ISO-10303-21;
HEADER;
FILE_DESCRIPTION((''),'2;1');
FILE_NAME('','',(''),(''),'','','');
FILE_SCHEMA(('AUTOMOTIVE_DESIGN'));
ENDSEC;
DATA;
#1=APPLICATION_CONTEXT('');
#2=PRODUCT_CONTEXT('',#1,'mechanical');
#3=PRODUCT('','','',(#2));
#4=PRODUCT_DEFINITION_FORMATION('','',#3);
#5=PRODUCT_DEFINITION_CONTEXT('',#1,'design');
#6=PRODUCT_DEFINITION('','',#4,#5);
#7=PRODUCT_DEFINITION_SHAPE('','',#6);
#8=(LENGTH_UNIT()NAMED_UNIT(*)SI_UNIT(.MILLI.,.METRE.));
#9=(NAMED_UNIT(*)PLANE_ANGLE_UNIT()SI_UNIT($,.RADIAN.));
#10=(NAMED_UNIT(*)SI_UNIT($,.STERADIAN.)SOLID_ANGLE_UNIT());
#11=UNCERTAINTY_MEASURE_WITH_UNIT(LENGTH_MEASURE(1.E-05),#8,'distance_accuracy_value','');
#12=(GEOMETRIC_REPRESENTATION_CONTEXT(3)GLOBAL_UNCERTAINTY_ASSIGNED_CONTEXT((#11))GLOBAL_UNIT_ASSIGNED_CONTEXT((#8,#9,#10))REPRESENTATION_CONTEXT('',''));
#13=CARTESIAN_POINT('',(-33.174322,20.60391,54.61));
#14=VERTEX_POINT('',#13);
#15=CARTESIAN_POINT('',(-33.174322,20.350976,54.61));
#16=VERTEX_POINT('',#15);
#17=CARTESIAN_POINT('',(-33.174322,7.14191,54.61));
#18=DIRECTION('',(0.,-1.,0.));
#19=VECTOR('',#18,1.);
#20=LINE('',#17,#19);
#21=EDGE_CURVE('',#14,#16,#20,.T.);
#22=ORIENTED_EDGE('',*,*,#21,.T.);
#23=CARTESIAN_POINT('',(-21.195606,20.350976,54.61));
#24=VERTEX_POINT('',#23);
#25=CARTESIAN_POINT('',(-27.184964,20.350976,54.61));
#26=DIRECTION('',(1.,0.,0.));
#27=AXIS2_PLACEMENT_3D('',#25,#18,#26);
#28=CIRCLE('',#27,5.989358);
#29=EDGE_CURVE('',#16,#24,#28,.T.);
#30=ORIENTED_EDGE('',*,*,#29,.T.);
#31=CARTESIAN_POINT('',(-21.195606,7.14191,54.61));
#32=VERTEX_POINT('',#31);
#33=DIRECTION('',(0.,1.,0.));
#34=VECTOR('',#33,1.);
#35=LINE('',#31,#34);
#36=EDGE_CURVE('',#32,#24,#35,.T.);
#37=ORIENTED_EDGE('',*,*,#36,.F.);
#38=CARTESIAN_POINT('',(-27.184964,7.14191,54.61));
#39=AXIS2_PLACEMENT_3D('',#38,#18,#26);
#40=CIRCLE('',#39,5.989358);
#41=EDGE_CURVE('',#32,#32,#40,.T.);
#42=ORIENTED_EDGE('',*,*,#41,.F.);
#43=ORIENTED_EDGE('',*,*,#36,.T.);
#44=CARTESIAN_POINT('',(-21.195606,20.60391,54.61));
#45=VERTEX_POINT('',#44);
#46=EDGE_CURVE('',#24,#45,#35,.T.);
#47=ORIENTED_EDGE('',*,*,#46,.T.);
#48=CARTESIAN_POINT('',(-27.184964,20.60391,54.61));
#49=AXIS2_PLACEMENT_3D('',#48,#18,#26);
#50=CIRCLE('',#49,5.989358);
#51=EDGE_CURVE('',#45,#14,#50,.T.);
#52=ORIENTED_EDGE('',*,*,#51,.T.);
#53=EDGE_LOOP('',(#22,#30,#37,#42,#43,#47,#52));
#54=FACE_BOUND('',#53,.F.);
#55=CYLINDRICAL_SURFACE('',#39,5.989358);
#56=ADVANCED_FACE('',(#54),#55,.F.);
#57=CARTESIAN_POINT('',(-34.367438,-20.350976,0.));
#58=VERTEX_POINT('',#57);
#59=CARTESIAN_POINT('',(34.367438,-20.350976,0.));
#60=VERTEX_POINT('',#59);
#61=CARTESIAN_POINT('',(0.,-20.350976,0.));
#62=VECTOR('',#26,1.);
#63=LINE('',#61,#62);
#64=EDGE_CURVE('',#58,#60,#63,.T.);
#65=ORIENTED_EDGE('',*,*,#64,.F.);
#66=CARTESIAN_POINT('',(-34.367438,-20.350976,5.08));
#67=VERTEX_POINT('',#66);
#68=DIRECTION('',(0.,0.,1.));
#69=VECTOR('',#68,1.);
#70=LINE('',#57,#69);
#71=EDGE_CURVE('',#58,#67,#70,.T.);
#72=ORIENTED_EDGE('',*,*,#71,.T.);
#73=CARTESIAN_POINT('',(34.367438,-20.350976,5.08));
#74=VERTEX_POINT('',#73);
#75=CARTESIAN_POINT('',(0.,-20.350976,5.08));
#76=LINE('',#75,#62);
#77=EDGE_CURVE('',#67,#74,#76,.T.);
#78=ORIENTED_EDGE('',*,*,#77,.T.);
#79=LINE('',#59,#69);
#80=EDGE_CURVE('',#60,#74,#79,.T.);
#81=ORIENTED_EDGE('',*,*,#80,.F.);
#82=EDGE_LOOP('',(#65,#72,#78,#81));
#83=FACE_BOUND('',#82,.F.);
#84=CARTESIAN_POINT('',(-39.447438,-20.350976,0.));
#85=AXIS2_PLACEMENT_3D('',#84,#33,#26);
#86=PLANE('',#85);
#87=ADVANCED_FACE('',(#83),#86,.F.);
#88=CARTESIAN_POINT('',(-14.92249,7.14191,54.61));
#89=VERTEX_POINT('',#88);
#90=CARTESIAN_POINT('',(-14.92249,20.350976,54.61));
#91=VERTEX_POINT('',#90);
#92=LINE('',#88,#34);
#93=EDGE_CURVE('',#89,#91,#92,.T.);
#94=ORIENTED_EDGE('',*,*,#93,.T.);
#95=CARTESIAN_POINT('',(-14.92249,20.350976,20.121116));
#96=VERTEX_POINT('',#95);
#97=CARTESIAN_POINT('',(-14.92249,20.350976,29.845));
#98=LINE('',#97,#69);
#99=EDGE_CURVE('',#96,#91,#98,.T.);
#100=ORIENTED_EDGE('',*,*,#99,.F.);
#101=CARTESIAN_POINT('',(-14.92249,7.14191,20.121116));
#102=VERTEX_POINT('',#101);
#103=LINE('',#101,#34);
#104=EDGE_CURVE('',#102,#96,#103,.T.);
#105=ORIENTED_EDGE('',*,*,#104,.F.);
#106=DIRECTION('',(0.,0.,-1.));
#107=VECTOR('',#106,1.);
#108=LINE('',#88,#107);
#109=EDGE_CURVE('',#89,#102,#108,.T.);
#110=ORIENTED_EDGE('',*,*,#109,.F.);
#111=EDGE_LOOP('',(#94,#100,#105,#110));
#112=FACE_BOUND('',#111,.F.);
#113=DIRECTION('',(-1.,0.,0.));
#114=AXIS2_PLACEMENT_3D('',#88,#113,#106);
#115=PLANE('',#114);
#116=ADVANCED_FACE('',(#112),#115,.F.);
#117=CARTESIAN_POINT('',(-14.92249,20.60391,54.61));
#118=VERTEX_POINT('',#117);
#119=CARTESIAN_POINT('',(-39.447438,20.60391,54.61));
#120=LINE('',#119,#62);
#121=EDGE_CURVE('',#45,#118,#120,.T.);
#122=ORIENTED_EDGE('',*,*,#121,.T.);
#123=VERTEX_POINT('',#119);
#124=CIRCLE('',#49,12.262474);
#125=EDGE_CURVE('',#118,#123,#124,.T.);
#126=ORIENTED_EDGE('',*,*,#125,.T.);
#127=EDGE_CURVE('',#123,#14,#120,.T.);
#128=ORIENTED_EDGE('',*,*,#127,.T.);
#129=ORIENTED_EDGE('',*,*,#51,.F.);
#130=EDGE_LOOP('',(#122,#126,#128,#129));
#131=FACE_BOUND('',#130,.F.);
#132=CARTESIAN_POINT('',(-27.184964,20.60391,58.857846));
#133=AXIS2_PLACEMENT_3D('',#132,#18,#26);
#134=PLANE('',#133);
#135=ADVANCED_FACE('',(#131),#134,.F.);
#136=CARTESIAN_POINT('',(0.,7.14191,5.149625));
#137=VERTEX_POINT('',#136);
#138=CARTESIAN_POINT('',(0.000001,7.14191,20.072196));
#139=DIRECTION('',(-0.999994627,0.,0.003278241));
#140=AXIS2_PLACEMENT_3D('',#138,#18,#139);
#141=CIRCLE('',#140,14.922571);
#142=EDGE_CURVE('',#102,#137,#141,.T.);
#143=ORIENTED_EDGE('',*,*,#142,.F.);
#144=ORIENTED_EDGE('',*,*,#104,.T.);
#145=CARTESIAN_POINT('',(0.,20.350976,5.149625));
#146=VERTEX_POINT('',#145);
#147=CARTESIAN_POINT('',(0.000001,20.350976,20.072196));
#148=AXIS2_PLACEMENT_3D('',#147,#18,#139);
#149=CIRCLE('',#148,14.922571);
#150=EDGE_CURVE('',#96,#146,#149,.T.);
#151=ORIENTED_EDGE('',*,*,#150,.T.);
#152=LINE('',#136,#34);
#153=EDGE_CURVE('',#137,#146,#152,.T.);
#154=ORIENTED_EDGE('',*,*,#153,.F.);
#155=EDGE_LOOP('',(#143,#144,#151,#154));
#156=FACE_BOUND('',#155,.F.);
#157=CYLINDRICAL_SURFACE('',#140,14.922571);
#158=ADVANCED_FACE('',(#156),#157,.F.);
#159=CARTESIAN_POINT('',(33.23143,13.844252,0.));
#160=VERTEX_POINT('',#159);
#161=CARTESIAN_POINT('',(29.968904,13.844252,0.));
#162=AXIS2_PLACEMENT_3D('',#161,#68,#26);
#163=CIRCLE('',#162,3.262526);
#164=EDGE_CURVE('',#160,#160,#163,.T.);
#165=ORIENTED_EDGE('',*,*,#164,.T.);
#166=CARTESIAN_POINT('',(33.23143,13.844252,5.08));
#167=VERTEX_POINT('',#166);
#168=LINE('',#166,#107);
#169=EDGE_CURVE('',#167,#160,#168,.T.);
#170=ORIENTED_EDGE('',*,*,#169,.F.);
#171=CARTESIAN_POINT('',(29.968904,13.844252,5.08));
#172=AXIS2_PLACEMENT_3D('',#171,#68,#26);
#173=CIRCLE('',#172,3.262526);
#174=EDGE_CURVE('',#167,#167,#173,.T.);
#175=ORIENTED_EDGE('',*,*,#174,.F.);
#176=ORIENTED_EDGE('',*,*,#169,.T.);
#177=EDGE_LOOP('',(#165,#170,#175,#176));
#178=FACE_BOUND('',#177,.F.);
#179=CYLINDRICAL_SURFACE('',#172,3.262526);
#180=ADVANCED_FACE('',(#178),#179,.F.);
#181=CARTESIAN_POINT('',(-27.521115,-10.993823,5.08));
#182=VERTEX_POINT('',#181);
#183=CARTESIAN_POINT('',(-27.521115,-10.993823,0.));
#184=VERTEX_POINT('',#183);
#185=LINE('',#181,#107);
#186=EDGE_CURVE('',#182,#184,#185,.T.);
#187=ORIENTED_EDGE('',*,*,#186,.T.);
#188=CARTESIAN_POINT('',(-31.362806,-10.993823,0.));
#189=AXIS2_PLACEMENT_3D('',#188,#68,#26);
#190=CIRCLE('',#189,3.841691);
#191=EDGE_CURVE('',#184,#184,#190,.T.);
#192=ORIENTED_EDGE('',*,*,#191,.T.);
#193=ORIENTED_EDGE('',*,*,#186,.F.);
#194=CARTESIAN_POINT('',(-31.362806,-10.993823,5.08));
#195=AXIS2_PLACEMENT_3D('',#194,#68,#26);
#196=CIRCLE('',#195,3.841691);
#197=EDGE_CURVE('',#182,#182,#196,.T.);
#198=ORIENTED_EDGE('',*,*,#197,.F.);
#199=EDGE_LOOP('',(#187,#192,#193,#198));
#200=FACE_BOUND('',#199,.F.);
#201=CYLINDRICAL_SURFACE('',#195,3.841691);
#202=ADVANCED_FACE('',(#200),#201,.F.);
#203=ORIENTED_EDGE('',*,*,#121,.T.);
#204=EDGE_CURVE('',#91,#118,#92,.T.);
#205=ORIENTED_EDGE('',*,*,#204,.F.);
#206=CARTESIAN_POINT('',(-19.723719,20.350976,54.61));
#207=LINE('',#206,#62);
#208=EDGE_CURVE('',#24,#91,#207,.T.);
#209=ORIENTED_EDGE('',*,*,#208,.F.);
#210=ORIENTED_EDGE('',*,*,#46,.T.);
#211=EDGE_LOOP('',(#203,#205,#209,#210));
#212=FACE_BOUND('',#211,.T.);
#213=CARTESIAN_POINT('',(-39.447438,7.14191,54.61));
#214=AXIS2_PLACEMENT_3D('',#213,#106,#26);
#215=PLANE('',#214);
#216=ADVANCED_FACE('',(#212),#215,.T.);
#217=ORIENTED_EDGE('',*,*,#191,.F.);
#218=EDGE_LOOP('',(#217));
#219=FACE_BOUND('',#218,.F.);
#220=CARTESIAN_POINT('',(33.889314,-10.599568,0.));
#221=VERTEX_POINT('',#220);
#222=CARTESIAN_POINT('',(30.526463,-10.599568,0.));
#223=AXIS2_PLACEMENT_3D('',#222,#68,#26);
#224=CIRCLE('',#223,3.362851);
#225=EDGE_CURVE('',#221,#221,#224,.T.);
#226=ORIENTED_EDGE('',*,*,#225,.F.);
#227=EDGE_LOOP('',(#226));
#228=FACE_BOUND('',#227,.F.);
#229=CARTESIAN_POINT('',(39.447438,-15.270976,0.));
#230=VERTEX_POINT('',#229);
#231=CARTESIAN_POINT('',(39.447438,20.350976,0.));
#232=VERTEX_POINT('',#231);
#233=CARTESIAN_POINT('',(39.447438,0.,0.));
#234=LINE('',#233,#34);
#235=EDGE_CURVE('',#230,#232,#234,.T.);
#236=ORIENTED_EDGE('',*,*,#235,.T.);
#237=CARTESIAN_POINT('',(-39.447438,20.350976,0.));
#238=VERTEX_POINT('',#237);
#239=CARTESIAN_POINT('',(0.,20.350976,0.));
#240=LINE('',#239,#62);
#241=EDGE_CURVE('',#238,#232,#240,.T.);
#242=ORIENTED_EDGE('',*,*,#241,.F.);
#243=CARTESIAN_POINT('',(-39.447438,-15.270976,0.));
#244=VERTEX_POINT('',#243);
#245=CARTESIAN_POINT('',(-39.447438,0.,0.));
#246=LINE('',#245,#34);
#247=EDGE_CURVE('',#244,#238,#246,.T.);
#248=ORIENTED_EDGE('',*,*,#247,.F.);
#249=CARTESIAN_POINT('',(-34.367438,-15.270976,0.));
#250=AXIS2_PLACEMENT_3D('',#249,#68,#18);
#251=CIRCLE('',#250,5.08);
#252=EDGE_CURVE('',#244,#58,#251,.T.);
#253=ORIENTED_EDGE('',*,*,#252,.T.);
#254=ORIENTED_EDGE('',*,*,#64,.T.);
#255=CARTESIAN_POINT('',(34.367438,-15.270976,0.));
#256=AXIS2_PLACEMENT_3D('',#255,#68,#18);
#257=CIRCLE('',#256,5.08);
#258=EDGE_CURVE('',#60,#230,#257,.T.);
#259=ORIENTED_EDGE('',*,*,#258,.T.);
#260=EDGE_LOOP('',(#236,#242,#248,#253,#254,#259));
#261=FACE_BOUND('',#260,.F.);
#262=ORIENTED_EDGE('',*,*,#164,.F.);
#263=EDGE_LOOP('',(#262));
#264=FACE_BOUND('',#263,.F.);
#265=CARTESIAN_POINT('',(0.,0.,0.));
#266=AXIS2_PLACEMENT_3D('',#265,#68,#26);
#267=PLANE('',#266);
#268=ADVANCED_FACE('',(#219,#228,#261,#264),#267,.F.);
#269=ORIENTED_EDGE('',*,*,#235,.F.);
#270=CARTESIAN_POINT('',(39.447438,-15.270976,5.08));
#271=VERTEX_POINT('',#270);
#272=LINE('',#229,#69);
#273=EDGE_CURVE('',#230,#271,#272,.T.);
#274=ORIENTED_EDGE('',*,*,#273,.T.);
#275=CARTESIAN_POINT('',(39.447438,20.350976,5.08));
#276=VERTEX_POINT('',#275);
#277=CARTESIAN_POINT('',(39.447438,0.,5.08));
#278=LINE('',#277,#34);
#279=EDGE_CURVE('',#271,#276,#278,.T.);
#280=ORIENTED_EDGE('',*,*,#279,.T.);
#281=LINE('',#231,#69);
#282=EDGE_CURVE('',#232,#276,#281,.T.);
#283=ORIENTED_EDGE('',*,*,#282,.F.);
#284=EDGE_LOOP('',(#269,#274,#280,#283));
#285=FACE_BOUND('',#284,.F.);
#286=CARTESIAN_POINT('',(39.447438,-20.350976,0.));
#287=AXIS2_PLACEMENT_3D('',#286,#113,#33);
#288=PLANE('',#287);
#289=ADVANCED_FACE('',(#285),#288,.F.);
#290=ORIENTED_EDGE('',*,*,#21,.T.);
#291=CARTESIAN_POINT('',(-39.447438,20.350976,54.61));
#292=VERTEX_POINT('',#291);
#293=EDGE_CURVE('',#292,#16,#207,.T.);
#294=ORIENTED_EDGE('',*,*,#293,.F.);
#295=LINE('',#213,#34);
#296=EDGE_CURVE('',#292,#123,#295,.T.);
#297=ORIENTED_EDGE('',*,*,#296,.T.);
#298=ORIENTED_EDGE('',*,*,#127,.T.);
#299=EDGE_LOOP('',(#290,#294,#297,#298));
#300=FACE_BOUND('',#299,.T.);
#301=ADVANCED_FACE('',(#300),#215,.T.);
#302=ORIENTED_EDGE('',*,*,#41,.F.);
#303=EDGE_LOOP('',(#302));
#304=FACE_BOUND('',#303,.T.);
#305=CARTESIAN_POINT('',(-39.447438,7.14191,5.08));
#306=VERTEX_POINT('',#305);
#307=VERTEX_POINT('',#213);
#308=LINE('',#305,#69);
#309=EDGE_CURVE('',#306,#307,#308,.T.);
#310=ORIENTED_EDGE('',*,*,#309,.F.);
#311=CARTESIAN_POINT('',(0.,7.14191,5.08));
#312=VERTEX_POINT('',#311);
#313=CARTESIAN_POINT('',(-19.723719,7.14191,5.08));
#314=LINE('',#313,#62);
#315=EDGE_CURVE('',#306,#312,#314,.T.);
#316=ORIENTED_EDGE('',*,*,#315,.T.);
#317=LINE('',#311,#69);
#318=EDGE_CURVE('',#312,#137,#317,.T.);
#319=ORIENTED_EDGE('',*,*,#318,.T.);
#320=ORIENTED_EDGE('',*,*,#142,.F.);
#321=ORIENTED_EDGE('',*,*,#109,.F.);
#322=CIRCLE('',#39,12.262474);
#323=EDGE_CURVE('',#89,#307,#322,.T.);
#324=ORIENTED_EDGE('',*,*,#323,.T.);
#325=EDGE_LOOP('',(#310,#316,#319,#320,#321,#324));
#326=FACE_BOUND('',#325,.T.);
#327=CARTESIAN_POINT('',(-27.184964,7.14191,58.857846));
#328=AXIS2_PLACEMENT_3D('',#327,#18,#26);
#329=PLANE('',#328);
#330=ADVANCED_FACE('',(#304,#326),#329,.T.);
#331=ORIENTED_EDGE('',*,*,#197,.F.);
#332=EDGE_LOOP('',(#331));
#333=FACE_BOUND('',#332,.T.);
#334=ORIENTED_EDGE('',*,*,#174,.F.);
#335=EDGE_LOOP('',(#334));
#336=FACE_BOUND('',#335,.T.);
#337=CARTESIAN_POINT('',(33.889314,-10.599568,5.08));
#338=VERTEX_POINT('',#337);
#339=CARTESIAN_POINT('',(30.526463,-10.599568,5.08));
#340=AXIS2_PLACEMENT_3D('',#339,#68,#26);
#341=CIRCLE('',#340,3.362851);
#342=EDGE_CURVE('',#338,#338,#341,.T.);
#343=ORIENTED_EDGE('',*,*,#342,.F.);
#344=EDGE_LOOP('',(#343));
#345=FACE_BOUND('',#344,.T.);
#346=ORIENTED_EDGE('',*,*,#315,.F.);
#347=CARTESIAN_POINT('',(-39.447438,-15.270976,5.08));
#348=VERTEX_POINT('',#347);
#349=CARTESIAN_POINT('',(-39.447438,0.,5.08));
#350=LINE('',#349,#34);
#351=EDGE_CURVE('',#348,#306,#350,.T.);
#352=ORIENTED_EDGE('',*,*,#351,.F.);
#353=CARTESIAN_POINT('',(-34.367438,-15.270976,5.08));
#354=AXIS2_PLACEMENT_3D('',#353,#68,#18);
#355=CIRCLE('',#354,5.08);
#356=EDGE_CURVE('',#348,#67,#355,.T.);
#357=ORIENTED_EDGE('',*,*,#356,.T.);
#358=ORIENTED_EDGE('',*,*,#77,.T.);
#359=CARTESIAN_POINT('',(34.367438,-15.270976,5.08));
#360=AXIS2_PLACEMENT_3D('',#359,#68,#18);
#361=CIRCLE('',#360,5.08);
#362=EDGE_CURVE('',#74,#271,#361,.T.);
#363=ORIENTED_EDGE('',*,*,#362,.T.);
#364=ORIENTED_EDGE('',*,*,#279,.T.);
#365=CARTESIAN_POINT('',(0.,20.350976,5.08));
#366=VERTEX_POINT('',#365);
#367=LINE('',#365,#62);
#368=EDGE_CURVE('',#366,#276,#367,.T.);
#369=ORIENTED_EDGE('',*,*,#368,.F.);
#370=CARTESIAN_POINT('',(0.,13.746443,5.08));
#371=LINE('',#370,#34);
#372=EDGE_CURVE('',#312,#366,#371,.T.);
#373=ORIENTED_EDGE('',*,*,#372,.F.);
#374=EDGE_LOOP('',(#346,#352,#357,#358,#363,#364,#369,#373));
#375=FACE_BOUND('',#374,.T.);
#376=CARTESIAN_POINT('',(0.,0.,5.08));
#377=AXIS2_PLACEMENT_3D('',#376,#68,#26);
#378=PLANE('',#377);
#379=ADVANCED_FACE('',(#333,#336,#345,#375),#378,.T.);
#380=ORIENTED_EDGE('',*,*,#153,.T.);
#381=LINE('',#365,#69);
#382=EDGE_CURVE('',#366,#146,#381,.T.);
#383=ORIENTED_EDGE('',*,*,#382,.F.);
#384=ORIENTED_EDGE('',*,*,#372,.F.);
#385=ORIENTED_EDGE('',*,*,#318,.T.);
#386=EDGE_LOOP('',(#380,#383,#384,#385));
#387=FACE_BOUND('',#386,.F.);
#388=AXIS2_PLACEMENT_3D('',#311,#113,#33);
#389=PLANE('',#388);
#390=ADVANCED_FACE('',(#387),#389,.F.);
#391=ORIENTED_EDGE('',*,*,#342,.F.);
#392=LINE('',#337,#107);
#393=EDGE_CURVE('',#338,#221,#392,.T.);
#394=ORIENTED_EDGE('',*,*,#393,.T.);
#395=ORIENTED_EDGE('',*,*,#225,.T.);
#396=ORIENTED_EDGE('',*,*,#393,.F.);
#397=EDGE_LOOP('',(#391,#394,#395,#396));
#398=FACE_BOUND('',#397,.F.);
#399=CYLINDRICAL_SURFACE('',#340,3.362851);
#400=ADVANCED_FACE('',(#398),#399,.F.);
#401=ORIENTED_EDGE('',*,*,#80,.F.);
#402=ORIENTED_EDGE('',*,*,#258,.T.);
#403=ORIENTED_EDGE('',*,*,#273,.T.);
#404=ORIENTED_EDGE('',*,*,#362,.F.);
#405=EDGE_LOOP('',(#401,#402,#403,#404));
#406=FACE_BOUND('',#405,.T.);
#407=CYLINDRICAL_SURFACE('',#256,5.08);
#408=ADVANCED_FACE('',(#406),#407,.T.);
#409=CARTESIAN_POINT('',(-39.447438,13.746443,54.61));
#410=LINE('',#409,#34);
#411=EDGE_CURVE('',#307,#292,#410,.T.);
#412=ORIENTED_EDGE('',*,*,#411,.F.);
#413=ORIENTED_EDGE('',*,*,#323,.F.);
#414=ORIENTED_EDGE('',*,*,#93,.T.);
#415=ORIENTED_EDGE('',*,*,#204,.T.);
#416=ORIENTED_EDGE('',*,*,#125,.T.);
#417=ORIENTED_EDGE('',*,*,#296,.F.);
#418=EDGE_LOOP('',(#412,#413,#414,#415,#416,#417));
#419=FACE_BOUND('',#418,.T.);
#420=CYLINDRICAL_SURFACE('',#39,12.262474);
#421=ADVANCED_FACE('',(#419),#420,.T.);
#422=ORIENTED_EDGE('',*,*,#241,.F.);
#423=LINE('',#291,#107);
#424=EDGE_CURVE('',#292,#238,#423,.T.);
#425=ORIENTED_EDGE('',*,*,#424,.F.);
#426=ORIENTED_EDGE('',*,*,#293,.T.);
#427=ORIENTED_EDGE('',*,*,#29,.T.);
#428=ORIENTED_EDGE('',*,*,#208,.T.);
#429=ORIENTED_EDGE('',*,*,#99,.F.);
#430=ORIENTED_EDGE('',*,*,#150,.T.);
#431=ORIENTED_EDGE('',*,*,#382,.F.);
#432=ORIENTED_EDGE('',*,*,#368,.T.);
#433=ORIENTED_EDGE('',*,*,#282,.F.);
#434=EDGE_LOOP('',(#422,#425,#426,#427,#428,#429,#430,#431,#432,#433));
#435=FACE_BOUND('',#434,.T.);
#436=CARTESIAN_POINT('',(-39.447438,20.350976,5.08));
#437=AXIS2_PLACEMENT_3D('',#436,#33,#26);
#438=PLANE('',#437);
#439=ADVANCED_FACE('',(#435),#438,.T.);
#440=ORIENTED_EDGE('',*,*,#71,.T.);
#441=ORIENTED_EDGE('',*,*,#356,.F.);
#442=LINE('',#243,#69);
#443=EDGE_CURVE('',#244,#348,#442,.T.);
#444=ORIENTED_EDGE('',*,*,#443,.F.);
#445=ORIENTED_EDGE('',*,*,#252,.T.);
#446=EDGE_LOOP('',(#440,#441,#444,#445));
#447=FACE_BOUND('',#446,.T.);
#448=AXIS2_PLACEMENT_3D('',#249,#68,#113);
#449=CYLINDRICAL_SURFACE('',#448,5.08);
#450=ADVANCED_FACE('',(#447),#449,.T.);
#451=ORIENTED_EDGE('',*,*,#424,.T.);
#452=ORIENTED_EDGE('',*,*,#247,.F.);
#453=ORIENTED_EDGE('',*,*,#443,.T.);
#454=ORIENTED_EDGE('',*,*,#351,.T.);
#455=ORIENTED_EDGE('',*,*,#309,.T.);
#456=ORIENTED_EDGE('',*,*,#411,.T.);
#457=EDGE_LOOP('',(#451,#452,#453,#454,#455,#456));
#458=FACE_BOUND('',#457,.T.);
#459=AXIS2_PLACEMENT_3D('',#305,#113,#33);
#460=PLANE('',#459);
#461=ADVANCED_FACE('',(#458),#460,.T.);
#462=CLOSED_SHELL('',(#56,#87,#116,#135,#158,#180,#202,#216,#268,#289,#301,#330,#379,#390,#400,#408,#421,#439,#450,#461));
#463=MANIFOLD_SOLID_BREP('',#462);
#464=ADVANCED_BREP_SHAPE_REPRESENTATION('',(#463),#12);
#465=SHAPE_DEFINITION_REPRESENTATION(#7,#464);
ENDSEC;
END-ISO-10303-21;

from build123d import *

# Parameters (mm, degrees)
F0_W      = 78.894876
F0_H      = 40.701952
F1_DEPTH  = 5.08
F2_R      = 5.08
F3_R      = 3.262526
F3_R_2    = 3.362851
F3_R_3    = 3.841691
F4_DEPTH  = 25.4
F5_W      = 39.447438
F5_H      = 13.209066
F6_DEPTH  = 49.53
F8_DEPTH  = 25.4
F10_DEPTH = 13.462
F11_R     = 5.989358
F12_DEPTH = 25.4


with BuildPart() as f1:
    # F0 (on Top) → F1 (new body)
    with BuildSketch(Plane.XY):
        Rectangle(F0_W, F0_H)
    extrude(amount=F1_DEPTH)

    # F2
    f2_edges = [f1.edges().sort_by_distance(p)[0] for p in [
        (-39.447438, -20.350976, 2.54),
        (39.447438, -20.350976, 2.54),
    ]]
    fillet(f2_edges, radius=F2_R)

    # F3 (on face) → F4 (cut)
    with BuildSketch(Plane.XY.offset(5.08)):
        with Locations((29.968904, 13.844252)):
            Circle(F3_R)
        with Locations((30.526463, -10.599568)):
            Circle(F3_R_2)
        with Locations((-31.362806, -10.993823)):
            Circle(F3_R_3)
    extrude(amount=-F4_DEPTH, mode=Mode.SUBTRACT)

    # F5 (on face) → F6 (join)
    with BuildSketch(Plane.XY.offset(5.08)):
        with Locations((-19.723719, 13.746443)):
            Rectangle(F5_W, F5_H)
    extrude(amount=F6_DEPTH)

    # F7 (on face) → F8 (cut)
    with BuildSketch(Plane.XZ.offset(-7.14191)):
        with BuildLine():
            Line((0, 20.121116), (0, 34.994766))
            ThreePointArc((0, 34.994766), (-10.534541, 30.641328), (-14.92249, 20.121116))
            Line((-14.92249, 20.121116), (0, 20.121116))
        make_face()
        with BuildLine():
            ThreePointArc((-14.92249, 20.121116), (-10.534541, 30.641328), (0, 34.994766))
            Line((0, 34.994766), (0, 54.61))
            Line((0, 54.61), (-14.92249, 54.61))
            Line((-14.92249, 54.61), (-14.92249, 20.121116))
        make_face()
        with BuildLine():
            ThreePointArc((-14.92249, 20.121116), (-10.569132, 9.537655), (0, 5.149625))
            Line((0, 5.149625), (0, 20.121116))
            Line((0, 20.121116), (-14.92249, 20.121116))
        make_face()
    extrude(amount=-F8_DEPTH, mode=Mode.SUBTRACT)

    # F9 (on face) → F10 (join)
    with BuildSketch(Plane.XZ.offset(-7.14191)):
        with BuildLine():
            Line((-39.447438, 54.61), (-14.92249, 54.61))
            ThreePointArc((-14.92249, 54.61), (-27.184964, 66.872474), (-39.447438, 54.61))
        make_face()
    extrude(amount=-F10_DEPTH)

    # F11 (on face) → F12 (cut)
    with BuildSketch(Plane.XZ.offset(-7.14191)):
        with Locations((-27.184964, 54.61)):
            Circle(F11_R)
    extrude(amount=-F12_DEPTH, mode=Mode.SUBTRACT)


solid = f1.part
